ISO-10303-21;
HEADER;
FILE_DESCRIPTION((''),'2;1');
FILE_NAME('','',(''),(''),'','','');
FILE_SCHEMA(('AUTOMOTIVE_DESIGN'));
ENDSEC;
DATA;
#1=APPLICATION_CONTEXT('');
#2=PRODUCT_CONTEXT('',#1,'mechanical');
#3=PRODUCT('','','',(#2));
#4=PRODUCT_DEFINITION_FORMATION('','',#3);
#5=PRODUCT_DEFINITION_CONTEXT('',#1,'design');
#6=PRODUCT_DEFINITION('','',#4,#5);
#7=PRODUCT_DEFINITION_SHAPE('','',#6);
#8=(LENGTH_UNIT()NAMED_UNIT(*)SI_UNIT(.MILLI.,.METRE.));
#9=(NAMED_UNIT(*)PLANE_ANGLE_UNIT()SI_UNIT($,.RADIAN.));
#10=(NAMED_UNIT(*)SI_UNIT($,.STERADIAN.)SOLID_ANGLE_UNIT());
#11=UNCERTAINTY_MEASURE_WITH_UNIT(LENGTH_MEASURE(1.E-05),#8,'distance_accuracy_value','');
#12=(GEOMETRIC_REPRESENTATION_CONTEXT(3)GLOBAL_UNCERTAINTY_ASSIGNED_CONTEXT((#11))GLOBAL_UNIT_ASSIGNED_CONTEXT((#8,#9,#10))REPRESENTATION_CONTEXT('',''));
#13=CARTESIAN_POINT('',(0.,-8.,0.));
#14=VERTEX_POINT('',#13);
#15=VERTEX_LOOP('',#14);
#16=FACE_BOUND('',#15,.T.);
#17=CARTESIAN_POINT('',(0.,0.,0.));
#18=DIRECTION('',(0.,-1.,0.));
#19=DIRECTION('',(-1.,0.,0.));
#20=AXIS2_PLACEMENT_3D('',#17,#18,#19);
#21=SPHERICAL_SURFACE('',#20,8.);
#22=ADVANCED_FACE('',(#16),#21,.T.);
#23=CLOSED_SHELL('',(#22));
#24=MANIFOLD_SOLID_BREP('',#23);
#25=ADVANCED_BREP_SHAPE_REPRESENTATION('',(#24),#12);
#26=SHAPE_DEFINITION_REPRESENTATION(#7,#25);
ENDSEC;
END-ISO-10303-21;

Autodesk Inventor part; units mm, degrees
ref_plane "YZ Plane" through (0, 0, 0) normal (1, 0, 0) x (0, 1, 0)
ref_plane "XZ Plane" through (0, 0, 0) normal (0, 1, 0) x (-1, 0, 0)
ref_plane "XY Plane" through (0, 0, 0) normal (0, 0, 1) x (1, 0, 0)
sketch "Sketch1" plane through (0, 0, 0) normal (0, 0, 1) x (1, 0, 0)
  arc A0 (0, 8) -> (0, -8) centre (0, 0) ccw
  line L0 (0, 8) -> (0, -8)
  dimension "d0" = 16
revolve "Revolution1" add sketch "Sketch1" angle 360 about axis through (0, 8, 0) along (0, -1, 0)
properties part number "Glass Marble" material "Glass"
